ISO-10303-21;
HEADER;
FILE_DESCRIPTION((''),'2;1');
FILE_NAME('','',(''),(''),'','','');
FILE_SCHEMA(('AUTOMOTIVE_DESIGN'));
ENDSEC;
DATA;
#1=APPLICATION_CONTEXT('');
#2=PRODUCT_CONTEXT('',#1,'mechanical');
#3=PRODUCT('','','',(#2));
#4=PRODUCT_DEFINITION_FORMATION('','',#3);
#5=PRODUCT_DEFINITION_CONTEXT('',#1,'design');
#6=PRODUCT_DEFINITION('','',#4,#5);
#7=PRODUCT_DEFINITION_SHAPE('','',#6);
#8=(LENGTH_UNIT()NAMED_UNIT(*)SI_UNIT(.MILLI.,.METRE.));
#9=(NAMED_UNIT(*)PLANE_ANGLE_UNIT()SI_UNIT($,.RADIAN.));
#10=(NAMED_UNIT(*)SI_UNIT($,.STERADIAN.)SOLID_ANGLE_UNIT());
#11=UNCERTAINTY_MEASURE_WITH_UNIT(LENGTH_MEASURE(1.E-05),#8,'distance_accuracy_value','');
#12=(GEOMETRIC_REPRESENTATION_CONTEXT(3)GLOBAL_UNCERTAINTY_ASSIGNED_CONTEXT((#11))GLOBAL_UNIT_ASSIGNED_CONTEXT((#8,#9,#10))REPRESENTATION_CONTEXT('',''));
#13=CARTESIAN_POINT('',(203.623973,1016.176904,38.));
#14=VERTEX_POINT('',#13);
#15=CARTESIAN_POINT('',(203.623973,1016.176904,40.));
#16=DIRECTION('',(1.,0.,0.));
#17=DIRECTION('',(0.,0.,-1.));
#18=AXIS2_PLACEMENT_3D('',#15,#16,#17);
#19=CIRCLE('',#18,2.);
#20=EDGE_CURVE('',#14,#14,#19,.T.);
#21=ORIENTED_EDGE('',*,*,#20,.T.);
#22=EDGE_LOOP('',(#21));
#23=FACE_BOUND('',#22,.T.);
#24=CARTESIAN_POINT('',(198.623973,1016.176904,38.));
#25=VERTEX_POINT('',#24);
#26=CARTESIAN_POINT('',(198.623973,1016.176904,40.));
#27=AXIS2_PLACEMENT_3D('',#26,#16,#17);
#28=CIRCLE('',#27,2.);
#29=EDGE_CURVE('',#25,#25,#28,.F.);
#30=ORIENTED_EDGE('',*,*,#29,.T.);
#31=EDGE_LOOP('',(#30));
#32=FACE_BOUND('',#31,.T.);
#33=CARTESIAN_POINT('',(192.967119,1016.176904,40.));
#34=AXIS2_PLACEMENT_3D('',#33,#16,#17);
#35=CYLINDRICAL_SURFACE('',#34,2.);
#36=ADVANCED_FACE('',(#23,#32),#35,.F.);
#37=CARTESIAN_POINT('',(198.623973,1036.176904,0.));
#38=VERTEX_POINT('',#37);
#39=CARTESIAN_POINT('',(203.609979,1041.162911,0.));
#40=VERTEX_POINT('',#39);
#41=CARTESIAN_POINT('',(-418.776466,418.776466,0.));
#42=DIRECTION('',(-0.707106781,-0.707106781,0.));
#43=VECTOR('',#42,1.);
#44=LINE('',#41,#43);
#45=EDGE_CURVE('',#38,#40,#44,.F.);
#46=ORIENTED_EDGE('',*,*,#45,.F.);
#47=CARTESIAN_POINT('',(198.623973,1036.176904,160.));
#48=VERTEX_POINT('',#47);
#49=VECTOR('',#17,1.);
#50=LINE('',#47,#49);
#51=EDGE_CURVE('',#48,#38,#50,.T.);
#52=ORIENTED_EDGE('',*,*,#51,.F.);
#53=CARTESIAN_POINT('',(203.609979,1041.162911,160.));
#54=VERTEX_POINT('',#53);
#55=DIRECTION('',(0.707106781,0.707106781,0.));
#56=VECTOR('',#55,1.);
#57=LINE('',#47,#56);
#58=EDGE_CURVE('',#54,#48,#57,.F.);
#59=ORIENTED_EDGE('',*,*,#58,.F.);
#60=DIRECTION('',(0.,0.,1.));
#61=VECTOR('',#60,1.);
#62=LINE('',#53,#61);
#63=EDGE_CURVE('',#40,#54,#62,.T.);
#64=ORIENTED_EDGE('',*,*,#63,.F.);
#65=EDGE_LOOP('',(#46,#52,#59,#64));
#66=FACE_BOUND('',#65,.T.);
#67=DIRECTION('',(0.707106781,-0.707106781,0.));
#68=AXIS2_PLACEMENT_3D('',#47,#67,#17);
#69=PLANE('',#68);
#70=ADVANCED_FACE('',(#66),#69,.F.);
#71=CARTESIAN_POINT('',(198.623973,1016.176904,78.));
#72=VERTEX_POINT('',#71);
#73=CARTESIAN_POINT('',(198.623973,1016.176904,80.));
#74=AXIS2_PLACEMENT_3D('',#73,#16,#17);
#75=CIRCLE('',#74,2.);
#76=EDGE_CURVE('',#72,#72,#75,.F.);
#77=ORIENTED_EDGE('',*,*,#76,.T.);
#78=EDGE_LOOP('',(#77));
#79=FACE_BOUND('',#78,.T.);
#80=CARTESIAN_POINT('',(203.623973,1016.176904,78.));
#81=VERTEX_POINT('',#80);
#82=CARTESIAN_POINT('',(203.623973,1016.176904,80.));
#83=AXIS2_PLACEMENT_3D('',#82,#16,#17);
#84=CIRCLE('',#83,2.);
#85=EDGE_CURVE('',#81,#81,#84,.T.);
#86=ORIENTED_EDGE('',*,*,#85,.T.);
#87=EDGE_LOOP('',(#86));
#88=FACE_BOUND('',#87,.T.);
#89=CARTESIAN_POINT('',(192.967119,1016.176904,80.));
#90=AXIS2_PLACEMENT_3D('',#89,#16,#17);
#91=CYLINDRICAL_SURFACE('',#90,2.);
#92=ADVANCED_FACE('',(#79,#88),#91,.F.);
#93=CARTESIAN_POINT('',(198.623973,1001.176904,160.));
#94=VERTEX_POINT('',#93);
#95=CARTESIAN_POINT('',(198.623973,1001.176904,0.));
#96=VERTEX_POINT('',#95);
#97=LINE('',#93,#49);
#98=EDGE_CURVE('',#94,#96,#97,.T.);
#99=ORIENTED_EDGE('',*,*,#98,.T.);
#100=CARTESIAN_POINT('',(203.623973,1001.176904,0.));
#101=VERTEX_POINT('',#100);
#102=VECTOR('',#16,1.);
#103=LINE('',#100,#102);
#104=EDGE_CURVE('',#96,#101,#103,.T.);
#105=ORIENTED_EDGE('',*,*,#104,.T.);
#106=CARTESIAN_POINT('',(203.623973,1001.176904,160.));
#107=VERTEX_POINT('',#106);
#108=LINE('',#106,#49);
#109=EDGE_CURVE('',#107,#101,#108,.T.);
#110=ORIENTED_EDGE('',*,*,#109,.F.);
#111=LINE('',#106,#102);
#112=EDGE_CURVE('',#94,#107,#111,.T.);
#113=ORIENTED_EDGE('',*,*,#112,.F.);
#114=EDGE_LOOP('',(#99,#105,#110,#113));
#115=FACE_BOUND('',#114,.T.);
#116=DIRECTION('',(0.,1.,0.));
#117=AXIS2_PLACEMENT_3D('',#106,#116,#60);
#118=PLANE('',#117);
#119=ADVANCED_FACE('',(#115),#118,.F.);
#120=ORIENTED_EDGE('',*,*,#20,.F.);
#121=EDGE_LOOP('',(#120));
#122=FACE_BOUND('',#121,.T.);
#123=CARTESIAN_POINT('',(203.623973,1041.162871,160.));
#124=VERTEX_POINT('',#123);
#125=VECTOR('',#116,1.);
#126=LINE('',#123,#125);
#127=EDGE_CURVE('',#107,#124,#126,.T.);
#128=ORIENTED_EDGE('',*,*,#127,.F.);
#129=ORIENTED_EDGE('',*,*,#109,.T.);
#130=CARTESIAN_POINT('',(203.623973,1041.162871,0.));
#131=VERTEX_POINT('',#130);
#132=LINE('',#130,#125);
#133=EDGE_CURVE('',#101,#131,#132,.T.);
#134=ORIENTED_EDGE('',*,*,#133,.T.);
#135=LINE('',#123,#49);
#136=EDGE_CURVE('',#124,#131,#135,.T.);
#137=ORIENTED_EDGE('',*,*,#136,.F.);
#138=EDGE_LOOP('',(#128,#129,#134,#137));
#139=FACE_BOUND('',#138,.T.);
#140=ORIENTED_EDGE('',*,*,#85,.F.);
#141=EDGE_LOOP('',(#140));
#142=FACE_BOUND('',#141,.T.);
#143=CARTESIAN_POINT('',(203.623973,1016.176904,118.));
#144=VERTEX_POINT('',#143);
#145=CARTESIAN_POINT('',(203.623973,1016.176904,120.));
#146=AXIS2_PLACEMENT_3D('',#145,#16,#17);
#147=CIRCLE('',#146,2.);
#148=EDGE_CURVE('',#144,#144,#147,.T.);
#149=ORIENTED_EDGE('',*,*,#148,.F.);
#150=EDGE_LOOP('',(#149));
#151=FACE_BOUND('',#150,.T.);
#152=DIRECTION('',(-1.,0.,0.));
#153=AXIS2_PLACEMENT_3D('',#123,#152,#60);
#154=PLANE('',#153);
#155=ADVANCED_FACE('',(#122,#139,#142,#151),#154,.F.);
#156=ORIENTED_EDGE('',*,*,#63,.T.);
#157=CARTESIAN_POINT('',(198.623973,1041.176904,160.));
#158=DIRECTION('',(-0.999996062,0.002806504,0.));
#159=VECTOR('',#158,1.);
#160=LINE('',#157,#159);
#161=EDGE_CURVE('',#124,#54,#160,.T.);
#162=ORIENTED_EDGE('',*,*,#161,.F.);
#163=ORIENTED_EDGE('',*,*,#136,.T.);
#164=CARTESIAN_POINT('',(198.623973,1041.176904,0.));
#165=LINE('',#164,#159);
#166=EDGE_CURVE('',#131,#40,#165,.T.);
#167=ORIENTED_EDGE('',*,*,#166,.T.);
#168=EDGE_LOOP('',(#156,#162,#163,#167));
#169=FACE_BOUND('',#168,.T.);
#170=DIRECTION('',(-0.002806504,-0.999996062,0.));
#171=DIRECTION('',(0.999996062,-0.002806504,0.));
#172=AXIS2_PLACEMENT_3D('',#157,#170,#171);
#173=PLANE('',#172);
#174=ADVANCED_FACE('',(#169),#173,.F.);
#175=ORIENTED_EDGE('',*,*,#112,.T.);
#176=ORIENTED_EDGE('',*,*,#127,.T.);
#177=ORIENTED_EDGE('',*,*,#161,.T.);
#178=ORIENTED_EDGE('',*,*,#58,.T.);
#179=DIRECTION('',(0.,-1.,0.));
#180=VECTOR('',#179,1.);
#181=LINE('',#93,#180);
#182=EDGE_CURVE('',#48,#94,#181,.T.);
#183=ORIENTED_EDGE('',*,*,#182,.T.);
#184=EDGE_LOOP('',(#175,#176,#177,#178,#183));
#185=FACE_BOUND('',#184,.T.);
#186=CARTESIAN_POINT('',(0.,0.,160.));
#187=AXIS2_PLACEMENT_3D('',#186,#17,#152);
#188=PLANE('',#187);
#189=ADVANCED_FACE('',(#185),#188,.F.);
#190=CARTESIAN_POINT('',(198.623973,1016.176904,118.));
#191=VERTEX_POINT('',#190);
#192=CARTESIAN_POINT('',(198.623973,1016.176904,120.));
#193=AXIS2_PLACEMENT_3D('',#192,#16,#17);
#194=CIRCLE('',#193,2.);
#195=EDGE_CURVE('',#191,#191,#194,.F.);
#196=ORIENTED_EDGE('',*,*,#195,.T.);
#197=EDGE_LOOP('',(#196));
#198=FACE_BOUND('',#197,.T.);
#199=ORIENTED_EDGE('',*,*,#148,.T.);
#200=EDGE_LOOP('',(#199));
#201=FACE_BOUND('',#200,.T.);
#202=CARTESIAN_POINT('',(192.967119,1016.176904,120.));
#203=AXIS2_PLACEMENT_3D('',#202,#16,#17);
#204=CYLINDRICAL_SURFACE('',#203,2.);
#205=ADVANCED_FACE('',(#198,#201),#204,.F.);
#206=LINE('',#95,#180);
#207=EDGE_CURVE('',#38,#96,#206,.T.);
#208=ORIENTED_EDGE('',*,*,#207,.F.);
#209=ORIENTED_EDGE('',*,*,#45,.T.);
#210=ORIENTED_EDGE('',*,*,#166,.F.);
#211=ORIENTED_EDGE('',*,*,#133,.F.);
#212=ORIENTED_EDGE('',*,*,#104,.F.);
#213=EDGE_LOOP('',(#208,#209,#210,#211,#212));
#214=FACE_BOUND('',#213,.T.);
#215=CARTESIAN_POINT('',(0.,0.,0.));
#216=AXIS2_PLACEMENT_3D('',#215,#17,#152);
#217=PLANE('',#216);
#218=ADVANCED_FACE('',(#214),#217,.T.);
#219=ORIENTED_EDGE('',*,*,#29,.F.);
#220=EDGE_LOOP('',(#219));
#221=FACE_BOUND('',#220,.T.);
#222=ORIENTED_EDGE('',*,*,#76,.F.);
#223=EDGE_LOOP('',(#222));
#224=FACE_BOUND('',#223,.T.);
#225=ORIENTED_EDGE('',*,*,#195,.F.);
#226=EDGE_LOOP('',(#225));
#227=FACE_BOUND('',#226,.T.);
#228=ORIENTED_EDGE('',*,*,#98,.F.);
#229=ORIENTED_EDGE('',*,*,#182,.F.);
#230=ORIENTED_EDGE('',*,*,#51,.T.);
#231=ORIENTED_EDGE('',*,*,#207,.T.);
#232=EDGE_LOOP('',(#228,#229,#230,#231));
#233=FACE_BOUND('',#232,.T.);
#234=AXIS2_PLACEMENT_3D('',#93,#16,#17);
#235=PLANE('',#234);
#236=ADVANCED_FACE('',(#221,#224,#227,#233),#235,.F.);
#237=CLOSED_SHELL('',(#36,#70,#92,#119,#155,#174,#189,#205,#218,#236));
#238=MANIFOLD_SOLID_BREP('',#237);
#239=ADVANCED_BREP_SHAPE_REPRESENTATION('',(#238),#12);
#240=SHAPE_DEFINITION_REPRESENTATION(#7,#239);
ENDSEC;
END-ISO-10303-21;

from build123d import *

# Parameters (mm, degrees)
EXTRUDE_1_DEPTH    = 160
CHAMFER1_SIZE      = 5
CHAMFER1_SIZE2     = 4.986026333
SKETCH1_R          = 2
CUT_EXTRUDE1_DEPTH = 5
LPATTERN1_COUNT    = 3
LPATTERN1_PITCH    = 40


with BuildPart() as part:
    # 草圖1 → 填料-伸長1 (new body)
    with BuildSketch(Plane.XY):
        Polygon((203.623972775, 1001.176903993), (198.623972775, 1001.176903993), (198.623972775, 1041.176903993), (203.623972775, 1041.162871417), align=None)
    extrude(amount=EXTRUDE_1_DEPTH)

    # Chamfer1
    chamfer1_edges = [part.edges().sort_by_distance(p)[0] for p in [
        (198.623972775, 1041.176903993, 80),
    ]]
    chamfer1_side = [part.faces().sort_by_distance(p)[0] for p in [
        (198.623972775, 1021.176903993, 80),
    ]]
    chamfer(chamfer1_edges, length=CHAMFER1_SIZE, length2=CHAMFER1_SIZE2, reference=chamfer1_side[0])

    # Sketch1 → Cut-Extrude1 (cut)
    with BuildSketch(Plane(origin=(203.623972775, 0, 0), x_dir=(0, 0, -1), z_dir=(1, 0, 0))):
        with Locations((-40, 1016.176903993)):
            Circle(SKETCH1_R)
    cut_extrude1 = extrude(amount=-CUT_EXTRUDE1_DEPTH, mode=Mode.SUBTRACT)

    # LPattern1: Cut-Extrude1 ×3
    with Locations(*[(0, 0, i * LPATTERN1_PITCH) for i in range(1, LPATTERN1_COUNT)]):
        add(cut_extrude1, mode=Mode.SUBTRACT)


solid = part.part
